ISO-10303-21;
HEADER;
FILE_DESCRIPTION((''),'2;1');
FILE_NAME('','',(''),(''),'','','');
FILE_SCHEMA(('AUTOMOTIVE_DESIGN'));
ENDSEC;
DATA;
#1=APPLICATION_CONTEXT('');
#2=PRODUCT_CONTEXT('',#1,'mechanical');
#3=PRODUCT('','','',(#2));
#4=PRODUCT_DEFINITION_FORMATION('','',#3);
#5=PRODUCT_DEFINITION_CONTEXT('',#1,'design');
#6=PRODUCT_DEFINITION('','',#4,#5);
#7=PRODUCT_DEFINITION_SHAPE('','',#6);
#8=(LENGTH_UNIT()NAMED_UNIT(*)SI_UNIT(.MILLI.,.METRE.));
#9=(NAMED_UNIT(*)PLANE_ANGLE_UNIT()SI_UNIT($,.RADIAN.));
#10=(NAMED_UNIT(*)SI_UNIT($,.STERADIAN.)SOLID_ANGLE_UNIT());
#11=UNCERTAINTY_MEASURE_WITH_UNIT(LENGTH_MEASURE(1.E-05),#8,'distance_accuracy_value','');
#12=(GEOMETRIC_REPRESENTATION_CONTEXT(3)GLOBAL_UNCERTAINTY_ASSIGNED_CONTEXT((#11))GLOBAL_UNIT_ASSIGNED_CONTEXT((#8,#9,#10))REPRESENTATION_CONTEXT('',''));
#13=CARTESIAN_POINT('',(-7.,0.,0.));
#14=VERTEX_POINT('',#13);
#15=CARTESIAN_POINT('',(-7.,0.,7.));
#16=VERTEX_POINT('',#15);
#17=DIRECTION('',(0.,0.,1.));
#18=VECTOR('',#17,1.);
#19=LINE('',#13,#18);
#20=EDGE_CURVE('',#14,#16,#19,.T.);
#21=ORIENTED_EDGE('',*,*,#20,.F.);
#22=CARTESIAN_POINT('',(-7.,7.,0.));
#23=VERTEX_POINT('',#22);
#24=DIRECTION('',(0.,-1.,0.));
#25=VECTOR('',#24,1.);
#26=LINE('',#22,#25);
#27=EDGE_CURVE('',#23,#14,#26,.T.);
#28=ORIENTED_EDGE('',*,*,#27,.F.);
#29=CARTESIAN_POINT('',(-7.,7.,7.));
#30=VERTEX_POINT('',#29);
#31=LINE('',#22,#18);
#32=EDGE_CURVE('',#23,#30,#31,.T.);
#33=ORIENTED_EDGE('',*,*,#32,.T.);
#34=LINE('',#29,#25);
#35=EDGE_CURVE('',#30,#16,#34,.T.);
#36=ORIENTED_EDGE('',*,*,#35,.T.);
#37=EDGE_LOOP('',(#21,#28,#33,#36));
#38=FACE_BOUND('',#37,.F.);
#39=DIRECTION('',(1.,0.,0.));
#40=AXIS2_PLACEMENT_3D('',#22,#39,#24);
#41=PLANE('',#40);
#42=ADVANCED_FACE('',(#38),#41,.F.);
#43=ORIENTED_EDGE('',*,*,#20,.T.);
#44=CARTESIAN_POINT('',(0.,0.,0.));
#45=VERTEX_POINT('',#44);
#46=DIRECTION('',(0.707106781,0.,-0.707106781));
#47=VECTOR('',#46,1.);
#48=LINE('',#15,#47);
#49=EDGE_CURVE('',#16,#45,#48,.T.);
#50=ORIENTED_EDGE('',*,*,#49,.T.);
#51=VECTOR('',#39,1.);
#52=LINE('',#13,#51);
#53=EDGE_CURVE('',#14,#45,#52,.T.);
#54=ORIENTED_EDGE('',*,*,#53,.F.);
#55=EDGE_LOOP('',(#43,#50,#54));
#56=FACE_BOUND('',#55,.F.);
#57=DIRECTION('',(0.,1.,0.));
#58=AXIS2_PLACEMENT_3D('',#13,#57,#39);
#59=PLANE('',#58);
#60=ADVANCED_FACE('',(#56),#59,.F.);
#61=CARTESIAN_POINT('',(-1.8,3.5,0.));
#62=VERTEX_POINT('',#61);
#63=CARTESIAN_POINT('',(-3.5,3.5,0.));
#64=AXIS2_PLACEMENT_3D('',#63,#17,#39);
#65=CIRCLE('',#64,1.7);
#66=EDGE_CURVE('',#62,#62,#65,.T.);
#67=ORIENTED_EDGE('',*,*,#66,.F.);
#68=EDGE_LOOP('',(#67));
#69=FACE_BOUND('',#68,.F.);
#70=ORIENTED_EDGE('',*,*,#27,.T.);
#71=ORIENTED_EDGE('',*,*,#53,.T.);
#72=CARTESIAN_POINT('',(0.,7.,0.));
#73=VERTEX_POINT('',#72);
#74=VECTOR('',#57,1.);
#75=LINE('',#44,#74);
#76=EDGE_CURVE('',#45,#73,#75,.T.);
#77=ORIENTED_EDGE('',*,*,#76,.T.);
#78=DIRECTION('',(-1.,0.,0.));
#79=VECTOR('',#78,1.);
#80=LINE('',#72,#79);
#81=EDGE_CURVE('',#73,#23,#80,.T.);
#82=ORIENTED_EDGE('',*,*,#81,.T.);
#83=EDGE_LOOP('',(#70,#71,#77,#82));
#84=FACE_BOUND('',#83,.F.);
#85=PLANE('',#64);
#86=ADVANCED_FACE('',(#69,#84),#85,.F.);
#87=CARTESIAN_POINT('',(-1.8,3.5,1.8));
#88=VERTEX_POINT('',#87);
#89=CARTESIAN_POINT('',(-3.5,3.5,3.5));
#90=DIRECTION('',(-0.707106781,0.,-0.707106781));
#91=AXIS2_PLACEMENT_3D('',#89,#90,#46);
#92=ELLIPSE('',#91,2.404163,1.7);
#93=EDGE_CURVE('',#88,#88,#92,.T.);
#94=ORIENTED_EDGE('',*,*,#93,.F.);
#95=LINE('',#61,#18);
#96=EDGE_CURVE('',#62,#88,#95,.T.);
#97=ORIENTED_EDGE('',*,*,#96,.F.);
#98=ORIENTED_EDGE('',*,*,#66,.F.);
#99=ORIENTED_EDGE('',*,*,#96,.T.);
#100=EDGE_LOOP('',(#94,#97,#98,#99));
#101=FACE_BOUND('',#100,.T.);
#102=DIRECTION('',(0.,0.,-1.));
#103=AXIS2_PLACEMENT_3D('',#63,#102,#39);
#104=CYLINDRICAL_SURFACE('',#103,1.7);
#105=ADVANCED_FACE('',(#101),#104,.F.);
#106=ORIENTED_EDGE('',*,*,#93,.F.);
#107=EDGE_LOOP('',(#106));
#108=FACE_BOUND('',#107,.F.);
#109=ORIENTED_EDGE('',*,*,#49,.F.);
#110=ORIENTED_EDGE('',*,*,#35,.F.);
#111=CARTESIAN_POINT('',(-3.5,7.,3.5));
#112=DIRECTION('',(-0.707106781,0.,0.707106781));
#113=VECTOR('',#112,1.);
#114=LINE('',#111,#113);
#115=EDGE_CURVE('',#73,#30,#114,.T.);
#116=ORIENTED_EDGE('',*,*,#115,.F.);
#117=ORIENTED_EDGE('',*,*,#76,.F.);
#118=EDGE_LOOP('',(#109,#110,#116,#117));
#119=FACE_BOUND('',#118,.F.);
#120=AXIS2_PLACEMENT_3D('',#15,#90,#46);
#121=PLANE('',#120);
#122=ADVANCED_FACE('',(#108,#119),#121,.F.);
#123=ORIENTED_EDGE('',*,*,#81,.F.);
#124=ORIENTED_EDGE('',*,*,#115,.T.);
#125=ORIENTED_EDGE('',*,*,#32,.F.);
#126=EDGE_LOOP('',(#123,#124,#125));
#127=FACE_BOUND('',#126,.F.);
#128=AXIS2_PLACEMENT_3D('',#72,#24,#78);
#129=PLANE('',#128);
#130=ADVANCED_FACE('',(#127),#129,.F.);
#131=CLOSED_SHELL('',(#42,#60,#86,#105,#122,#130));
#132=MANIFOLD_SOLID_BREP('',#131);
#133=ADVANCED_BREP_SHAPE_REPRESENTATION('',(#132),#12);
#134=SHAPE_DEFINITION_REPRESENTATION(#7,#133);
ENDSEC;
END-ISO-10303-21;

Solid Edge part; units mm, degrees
sketch "Sketch1" plane through (0, 0, 0) normal (0, 0, 1) x (1, 0, 0)
  circle A0 centre (-3.5, 3.5) radius 1.7
  line L0 (-7, 0) -> (0, 0)
  line L1 (0, 0) -> (0, 7)
  line L2 (0, 7) -> (-7, 7)
  line L3 (-7, 7) -> (-7, 0)
  dimension "D1" = 7
  dimension "D2" = 7
extrude "Protrusion1" add sketch "Sketch1" along normal blind 7
sketch "Sketch2" plane through (-3.5, 0, 3.5) normal (0, -1, 0) x (1, 0, 0)
  line L0 (-3.5, 3.5) -> (3.5, -3.5)
  line L1 (3.5, 3.5) -> (-3.5, 3.5)
  line L2 (3.5, 3.5) -> (3.5, -3.5)
extrude "Cutout1" cut sketch "Sketch2" against normal up to next
